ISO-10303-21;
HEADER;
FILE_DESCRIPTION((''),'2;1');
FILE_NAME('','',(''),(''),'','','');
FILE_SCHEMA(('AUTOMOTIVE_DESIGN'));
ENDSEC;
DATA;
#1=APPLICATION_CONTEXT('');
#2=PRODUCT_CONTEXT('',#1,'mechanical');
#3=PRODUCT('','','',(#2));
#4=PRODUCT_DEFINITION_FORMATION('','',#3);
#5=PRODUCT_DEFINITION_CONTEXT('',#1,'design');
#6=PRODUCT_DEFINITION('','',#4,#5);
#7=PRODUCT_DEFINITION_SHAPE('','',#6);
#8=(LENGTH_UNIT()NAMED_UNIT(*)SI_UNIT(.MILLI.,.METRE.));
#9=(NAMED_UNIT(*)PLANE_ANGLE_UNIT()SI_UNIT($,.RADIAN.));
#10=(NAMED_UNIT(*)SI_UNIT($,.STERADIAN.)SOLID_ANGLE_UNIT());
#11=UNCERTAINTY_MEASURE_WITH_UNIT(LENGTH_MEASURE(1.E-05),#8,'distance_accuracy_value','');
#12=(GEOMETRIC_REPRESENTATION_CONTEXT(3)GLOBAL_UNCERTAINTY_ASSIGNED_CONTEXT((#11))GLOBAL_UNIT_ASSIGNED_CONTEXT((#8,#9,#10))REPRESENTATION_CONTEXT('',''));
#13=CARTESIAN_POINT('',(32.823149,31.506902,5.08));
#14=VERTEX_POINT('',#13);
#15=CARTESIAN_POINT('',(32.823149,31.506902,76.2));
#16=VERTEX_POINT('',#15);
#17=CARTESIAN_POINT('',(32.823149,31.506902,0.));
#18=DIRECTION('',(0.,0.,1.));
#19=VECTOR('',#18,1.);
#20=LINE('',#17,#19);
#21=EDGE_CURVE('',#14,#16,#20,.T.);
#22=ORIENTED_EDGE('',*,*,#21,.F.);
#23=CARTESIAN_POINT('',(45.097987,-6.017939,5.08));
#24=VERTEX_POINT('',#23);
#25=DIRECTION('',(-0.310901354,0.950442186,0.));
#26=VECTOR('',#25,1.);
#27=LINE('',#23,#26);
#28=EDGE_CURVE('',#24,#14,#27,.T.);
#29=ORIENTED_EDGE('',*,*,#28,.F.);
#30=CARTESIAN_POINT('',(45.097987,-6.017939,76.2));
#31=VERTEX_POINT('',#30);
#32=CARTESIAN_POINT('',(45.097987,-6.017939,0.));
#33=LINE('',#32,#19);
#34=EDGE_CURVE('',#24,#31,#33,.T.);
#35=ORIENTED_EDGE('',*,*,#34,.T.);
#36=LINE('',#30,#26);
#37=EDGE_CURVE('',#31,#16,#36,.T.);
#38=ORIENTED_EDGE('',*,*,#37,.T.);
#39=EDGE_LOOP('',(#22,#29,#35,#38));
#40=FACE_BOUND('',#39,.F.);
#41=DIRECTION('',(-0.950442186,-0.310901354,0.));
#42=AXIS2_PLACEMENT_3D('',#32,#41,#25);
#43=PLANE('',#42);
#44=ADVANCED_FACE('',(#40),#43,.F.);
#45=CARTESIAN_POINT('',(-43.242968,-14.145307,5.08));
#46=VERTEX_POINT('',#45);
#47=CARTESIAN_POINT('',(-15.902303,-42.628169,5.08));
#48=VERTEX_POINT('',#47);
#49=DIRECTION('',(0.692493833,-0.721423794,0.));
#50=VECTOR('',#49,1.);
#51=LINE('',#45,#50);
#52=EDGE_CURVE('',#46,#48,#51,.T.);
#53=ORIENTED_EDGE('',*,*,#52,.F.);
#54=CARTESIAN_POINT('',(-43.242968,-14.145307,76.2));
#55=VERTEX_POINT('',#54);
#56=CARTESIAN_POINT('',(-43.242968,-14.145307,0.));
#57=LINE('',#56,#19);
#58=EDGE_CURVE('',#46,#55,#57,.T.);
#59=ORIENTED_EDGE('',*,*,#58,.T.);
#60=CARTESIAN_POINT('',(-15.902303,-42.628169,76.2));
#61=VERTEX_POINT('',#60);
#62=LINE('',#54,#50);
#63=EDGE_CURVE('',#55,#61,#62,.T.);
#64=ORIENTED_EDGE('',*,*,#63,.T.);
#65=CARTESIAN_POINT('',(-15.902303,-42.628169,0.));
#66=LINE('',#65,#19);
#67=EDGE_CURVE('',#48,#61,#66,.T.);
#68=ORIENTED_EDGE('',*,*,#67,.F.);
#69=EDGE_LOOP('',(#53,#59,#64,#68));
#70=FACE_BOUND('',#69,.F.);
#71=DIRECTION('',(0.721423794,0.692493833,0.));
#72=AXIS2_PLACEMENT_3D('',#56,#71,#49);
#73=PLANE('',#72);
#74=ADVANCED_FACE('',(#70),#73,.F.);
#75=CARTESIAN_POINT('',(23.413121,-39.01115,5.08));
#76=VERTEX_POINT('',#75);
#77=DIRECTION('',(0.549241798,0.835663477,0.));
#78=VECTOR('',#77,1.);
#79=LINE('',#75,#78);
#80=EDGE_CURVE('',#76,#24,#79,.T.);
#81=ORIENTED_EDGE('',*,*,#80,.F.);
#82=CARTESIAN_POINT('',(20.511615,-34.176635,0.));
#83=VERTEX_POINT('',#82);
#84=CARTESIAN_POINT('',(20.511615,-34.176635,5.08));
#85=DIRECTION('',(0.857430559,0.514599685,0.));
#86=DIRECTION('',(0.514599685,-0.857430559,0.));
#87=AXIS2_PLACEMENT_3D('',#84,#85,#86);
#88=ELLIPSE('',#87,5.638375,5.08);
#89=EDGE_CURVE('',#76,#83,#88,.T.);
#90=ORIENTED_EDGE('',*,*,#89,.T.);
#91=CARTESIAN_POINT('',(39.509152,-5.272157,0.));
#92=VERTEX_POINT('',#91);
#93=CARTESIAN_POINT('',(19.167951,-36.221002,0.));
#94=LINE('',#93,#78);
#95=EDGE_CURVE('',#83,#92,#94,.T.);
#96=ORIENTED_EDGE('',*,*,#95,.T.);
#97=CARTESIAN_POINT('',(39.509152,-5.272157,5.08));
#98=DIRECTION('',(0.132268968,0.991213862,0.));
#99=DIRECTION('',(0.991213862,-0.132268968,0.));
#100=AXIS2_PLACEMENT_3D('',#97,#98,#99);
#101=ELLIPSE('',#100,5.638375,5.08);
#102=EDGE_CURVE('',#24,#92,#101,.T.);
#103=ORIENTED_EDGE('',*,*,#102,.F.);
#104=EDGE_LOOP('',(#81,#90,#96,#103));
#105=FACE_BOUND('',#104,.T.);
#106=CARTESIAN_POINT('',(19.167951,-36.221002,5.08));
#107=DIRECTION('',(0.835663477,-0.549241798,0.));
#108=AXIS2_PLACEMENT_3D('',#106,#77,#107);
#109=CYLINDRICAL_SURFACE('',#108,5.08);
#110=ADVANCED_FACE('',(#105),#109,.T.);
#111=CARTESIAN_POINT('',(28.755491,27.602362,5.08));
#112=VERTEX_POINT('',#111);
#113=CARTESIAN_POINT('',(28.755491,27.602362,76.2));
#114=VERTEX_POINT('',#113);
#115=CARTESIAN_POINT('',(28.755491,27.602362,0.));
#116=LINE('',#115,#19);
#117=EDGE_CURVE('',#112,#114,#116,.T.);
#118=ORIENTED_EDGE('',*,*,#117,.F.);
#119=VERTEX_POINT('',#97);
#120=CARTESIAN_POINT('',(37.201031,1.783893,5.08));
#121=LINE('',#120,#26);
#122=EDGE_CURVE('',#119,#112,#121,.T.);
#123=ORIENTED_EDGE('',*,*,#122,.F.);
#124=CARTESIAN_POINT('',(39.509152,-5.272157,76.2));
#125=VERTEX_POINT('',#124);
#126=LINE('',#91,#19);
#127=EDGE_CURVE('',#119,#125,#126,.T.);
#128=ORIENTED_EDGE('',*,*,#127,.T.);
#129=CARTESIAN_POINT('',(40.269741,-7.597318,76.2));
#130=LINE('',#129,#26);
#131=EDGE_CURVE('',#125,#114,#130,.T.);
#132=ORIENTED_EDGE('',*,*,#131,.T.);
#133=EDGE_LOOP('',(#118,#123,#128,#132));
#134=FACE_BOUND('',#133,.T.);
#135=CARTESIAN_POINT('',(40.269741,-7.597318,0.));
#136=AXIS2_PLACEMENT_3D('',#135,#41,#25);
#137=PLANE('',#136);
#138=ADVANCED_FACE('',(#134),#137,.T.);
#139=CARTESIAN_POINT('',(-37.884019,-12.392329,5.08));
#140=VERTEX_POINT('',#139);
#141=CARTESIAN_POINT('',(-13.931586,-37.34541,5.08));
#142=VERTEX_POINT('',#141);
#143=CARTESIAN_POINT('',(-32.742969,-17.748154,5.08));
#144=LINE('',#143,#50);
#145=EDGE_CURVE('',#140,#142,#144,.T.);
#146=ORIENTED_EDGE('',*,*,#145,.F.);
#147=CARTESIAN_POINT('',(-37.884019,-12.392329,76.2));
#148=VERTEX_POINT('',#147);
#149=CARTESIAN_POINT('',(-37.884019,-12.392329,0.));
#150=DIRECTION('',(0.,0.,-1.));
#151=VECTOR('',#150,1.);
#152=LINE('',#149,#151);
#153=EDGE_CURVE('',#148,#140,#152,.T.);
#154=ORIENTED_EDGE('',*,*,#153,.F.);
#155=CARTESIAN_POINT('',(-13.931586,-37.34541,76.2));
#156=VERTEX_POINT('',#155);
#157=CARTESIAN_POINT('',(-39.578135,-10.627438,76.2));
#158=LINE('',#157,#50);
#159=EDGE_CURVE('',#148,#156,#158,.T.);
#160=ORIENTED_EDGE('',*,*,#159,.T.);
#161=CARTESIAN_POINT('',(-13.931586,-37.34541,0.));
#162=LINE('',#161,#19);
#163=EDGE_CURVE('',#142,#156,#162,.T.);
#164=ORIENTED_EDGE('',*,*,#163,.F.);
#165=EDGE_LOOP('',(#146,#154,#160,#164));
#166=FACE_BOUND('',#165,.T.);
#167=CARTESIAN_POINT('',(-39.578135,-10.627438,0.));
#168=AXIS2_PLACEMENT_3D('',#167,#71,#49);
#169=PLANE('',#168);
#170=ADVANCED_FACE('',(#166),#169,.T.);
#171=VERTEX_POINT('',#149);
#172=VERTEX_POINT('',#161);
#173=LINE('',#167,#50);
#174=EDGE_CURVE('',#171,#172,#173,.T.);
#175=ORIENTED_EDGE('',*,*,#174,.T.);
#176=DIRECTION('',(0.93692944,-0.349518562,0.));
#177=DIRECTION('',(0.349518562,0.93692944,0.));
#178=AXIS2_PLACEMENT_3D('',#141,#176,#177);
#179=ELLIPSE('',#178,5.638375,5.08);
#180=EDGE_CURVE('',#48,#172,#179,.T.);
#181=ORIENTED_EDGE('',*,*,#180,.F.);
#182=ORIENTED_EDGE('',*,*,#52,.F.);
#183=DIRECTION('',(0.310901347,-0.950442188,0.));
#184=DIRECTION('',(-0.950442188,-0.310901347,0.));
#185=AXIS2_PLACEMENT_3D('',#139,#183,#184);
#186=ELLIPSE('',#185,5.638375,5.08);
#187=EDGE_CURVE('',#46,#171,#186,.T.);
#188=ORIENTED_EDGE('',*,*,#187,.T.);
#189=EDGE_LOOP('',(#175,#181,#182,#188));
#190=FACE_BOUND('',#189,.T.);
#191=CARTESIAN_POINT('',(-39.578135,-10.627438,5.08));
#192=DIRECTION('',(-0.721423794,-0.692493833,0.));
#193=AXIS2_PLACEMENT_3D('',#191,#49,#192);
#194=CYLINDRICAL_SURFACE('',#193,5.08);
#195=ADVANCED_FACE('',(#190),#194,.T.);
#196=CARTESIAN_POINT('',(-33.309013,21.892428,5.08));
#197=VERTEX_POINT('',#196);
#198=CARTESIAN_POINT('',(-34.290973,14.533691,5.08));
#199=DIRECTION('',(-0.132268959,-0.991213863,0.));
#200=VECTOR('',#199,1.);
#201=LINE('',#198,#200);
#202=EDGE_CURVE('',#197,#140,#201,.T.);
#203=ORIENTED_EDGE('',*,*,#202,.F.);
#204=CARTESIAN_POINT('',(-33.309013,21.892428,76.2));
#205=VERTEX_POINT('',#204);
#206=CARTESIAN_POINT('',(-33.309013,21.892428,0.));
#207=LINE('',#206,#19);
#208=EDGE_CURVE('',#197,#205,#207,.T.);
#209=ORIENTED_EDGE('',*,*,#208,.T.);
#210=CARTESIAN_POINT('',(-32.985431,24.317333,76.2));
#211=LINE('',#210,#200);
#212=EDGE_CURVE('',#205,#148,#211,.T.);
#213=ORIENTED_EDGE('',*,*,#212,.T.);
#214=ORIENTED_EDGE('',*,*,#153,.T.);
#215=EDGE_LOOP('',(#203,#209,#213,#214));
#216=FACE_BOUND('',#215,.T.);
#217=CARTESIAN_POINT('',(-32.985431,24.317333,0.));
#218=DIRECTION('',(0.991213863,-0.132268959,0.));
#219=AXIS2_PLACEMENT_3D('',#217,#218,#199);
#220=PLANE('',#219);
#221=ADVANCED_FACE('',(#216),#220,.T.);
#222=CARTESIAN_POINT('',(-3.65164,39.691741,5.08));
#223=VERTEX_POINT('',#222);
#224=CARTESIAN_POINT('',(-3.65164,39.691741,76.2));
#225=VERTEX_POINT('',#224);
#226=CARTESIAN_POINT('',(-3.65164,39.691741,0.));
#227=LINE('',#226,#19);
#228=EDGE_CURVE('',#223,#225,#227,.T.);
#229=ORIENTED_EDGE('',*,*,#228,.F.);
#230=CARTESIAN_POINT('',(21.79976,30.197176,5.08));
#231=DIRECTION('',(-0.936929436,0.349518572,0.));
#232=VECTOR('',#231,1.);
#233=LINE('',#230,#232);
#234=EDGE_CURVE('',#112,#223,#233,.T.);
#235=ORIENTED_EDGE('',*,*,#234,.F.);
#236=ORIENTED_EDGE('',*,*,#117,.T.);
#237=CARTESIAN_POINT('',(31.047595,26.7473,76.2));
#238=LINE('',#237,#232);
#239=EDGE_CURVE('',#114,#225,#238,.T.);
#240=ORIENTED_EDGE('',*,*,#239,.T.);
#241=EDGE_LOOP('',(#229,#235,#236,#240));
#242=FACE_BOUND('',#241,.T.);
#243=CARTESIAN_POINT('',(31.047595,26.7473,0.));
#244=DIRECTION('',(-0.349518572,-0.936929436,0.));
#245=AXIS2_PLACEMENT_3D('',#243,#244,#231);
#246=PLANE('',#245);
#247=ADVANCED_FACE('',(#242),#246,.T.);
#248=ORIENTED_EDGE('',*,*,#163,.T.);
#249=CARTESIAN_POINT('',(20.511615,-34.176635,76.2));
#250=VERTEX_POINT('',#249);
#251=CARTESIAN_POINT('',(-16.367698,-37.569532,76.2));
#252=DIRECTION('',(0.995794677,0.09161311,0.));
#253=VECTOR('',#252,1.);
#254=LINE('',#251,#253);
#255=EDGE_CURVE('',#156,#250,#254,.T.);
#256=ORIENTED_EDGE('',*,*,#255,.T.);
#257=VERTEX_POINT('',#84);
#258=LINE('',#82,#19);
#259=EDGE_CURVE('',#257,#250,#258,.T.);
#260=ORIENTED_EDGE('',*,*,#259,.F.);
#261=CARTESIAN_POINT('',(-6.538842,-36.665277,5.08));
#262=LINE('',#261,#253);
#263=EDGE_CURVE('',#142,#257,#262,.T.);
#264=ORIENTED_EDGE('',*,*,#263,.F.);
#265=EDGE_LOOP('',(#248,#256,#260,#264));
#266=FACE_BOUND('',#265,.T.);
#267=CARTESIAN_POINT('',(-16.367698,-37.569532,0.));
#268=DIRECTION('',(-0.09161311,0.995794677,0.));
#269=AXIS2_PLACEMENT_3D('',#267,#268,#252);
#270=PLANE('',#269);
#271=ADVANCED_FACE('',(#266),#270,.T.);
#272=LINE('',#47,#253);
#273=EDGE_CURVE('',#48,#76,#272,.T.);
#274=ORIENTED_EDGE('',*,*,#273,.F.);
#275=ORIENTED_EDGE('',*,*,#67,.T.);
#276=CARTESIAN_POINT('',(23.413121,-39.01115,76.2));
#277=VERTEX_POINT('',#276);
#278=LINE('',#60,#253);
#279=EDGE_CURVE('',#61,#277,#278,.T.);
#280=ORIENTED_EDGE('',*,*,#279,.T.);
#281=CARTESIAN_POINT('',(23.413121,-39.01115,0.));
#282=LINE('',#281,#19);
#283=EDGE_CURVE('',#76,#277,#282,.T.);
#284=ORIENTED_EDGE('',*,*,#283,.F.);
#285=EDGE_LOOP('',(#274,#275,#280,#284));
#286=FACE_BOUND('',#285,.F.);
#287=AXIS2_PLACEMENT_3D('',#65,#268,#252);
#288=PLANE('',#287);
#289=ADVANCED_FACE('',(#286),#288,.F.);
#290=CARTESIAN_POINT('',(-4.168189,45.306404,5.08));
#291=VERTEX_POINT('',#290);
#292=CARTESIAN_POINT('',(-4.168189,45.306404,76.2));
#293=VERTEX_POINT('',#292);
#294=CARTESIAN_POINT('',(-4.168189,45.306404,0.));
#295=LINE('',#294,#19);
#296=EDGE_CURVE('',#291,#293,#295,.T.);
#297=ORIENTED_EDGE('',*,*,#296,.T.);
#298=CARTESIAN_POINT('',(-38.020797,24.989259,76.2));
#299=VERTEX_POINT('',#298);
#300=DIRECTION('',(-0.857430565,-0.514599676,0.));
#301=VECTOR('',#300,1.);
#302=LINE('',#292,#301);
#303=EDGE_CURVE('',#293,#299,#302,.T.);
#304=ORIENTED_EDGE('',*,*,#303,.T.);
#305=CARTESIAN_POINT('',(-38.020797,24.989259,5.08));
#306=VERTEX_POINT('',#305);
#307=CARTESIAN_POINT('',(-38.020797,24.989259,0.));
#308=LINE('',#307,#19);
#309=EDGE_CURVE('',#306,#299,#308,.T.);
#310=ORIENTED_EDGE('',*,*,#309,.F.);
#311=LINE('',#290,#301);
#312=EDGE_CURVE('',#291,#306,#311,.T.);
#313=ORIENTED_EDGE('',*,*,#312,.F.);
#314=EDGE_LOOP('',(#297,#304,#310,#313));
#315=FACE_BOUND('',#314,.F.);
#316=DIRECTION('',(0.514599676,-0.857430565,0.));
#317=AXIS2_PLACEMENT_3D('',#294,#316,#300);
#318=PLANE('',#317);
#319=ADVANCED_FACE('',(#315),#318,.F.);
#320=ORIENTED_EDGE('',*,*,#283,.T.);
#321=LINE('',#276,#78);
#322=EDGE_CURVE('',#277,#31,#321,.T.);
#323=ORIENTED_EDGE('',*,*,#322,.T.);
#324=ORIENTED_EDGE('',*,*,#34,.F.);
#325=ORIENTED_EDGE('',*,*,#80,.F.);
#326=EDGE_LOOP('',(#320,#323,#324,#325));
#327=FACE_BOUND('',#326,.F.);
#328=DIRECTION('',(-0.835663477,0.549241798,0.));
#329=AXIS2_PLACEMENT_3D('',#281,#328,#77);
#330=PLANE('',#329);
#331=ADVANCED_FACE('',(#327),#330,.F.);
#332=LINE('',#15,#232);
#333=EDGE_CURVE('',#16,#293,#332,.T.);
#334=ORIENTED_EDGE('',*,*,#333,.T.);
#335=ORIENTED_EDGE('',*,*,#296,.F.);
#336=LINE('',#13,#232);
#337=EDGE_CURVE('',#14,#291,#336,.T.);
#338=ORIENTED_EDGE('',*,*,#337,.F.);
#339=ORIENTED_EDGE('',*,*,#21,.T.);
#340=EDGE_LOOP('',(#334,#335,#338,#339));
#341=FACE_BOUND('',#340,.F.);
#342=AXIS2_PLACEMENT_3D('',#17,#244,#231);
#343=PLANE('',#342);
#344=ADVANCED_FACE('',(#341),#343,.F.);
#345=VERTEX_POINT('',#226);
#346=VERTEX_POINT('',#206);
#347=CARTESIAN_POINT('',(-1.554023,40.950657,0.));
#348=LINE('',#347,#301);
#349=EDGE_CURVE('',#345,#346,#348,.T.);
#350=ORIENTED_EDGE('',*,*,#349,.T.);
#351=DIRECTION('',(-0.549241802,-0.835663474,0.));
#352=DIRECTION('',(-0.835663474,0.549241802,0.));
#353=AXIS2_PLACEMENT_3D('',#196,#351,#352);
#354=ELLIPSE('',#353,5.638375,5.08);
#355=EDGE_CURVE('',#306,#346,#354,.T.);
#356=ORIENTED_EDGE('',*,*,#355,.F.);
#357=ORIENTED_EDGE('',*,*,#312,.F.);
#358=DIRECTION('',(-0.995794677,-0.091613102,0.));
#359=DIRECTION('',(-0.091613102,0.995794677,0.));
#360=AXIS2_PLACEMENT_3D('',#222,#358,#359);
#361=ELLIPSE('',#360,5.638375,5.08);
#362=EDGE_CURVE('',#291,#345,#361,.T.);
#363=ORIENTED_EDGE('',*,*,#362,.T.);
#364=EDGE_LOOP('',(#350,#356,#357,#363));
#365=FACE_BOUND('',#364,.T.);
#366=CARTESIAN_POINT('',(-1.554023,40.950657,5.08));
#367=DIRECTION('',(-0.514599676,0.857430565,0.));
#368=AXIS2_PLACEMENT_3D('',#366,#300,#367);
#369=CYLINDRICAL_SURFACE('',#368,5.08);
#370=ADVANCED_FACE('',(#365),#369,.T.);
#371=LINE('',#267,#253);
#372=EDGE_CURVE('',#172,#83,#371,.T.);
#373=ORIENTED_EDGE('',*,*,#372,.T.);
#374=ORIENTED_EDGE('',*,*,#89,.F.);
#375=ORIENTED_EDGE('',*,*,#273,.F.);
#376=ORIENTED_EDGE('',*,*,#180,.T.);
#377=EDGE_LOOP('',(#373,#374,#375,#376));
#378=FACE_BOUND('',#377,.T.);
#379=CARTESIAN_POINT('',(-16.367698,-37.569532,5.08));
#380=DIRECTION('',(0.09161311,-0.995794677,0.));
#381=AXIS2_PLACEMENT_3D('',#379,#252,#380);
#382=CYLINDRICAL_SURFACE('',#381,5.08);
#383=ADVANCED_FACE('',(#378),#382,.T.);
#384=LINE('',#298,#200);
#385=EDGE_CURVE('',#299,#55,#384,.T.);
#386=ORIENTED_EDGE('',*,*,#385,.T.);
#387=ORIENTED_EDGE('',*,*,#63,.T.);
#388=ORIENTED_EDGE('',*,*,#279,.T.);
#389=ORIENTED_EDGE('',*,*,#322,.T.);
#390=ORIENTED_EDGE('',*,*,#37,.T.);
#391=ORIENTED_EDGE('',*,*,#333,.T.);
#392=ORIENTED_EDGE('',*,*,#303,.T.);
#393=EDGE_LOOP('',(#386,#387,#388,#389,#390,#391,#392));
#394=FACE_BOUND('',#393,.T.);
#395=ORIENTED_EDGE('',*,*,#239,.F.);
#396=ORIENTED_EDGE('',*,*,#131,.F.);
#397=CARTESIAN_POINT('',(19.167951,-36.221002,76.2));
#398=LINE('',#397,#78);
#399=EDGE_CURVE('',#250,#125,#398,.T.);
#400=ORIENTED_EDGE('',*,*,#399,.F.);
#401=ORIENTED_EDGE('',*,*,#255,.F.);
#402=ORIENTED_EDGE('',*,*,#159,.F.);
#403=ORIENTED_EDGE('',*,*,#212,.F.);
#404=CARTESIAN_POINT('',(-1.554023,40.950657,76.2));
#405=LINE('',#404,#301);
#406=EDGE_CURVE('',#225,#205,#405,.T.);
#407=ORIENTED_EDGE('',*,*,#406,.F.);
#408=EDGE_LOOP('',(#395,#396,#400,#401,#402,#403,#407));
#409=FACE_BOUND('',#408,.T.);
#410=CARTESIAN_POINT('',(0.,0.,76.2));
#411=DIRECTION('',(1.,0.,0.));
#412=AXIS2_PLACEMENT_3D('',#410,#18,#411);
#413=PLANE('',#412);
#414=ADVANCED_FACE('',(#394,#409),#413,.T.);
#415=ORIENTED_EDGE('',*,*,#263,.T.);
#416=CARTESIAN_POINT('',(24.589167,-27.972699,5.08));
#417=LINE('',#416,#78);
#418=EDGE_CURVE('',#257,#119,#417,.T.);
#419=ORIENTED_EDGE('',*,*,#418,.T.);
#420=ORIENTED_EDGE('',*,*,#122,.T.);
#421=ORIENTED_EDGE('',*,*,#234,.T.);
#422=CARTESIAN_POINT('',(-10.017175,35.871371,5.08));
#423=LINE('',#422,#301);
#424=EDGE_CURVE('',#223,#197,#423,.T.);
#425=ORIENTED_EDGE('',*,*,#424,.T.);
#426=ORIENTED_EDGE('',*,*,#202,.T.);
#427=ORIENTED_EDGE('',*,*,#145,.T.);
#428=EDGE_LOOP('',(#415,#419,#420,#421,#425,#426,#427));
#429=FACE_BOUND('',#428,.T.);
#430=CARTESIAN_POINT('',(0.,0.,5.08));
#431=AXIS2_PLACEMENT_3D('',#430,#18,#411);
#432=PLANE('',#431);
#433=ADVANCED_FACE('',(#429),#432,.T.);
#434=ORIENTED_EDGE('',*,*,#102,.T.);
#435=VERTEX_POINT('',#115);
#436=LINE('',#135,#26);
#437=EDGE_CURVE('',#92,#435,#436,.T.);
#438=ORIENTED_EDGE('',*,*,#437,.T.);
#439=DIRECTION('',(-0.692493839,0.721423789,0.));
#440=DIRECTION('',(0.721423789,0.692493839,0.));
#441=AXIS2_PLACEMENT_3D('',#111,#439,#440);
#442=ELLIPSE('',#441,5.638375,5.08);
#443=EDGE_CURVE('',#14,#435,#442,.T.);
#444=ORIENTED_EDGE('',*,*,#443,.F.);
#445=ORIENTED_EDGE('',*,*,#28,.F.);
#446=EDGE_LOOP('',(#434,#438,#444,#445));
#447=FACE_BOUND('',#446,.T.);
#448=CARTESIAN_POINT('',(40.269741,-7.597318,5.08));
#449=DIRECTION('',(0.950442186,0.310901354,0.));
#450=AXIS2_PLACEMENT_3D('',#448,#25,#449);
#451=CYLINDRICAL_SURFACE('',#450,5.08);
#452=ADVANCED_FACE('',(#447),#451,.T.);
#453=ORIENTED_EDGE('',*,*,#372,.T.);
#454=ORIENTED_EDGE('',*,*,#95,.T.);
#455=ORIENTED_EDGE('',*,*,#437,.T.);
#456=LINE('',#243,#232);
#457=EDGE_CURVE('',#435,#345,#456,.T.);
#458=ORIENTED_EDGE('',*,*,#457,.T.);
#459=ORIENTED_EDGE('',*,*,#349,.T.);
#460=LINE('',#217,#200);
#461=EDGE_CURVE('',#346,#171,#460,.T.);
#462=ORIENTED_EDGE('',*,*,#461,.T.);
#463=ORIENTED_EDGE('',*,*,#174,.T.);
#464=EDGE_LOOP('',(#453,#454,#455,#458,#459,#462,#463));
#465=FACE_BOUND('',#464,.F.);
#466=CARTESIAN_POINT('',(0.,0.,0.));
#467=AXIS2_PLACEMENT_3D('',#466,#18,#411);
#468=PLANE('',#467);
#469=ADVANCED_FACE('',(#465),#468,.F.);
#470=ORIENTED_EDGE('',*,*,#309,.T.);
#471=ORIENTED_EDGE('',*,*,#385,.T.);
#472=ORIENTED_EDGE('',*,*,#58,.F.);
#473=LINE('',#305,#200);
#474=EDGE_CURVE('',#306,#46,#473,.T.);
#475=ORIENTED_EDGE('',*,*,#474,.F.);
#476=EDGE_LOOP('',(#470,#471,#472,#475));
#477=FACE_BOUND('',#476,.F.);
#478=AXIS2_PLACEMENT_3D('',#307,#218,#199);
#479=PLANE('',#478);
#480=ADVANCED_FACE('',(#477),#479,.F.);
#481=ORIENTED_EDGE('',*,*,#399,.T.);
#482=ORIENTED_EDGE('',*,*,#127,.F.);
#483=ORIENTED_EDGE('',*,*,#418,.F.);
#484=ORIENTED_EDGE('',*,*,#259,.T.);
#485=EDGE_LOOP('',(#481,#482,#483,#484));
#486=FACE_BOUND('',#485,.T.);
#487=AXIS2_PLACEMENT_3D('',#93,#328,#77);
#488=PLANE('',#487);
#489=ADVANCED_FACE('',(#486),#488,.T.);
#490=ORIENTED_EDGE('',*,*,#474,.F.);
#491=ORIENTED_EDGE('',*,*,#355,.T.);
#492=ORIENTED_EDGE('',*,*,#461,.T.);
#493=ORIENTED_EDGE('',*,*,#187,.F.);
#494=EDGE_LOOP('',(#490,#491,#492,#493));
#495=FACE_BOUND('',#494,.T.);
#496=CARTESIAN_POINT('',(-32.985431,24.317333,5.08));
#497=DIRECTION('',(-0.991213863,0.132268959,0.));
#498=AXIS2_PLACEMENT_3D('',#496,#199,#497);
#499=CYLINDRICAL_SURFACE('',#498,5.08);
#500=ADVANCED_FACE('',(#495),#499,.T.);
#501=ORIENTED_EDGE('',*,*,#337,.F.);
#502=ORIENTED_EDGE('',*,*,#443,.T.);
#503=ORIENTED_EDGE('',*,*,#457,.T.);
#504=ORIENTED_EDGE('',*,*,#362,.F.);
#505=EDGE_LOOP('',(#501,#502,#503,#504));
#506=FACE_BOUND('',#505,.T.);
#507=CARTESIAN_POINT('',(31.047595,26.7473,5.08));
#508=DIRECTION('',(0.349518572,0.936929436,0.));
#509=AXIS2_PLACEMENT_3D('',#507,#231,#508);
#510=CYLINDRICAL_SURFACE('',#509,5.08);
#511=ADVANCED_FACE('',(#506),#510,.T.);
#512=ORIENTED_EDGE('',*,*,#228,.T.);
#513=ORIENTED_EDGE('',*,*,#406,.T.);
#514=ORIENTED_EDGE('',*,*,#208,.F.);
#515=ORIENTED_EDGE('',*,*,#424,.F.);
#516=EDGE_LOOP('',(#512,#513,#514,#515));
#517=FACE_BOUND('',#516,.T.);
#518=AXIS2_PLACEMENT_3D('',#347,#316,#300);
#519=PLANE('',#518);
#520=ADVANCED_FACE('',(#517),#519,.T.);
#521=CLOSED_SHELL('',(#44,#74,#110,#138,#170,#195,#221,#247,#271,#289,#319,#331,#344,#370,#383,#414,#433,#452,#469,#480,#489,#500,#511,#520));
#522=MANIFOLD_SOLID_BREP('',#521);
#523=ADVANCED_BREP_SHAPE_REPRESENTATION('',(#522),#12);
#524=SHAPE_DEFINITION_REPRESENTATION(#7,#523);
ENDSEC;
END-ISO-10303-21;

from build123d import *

# Parameters (mm, degrees)
F1_DEPTH = 76.2
F2_T     = -5.08
F3_R     = 5.08


with BuildPart() as f1:
    # F0 (on Top) → F1 (new body)
    with BuildSketch(Plane.XY):
        Polygon((-43.242968, -14.145307), (-15.902303, -42.628169), (23.413121, -39.01115), (45.097987, -6.017939), (32.823149, 31.506902), (-4.168189, 45.306404), (-38.020797, 24.989259), align=None)
    extrude(amount=F1_DEPTH)

    # F2
    f2_openings = [f1.faces().sort_by_distance(p)[0] for p in [
        (0, 0, 76.2),
    ]]
    offset(amount=F2_T, openings=f2_openings)

    # F3
    f3_edges = [f1.edges().sort_by_distance(p)[0] for p in [
        (3.755409, -40.819659, 0),
        (34.255554, -22.514545, 0),
        (38.960568, 12.744482, 0),
        (14.32748, 38.406653, 0),
        (-21.094493, 35.147832, 0),
        (-40.631882, 5.421976, 0),
        (-29.572636, -28.386738, 0),
    ]]
    fillet(f3_edges, radius=F3_R)


solid = f1.part
